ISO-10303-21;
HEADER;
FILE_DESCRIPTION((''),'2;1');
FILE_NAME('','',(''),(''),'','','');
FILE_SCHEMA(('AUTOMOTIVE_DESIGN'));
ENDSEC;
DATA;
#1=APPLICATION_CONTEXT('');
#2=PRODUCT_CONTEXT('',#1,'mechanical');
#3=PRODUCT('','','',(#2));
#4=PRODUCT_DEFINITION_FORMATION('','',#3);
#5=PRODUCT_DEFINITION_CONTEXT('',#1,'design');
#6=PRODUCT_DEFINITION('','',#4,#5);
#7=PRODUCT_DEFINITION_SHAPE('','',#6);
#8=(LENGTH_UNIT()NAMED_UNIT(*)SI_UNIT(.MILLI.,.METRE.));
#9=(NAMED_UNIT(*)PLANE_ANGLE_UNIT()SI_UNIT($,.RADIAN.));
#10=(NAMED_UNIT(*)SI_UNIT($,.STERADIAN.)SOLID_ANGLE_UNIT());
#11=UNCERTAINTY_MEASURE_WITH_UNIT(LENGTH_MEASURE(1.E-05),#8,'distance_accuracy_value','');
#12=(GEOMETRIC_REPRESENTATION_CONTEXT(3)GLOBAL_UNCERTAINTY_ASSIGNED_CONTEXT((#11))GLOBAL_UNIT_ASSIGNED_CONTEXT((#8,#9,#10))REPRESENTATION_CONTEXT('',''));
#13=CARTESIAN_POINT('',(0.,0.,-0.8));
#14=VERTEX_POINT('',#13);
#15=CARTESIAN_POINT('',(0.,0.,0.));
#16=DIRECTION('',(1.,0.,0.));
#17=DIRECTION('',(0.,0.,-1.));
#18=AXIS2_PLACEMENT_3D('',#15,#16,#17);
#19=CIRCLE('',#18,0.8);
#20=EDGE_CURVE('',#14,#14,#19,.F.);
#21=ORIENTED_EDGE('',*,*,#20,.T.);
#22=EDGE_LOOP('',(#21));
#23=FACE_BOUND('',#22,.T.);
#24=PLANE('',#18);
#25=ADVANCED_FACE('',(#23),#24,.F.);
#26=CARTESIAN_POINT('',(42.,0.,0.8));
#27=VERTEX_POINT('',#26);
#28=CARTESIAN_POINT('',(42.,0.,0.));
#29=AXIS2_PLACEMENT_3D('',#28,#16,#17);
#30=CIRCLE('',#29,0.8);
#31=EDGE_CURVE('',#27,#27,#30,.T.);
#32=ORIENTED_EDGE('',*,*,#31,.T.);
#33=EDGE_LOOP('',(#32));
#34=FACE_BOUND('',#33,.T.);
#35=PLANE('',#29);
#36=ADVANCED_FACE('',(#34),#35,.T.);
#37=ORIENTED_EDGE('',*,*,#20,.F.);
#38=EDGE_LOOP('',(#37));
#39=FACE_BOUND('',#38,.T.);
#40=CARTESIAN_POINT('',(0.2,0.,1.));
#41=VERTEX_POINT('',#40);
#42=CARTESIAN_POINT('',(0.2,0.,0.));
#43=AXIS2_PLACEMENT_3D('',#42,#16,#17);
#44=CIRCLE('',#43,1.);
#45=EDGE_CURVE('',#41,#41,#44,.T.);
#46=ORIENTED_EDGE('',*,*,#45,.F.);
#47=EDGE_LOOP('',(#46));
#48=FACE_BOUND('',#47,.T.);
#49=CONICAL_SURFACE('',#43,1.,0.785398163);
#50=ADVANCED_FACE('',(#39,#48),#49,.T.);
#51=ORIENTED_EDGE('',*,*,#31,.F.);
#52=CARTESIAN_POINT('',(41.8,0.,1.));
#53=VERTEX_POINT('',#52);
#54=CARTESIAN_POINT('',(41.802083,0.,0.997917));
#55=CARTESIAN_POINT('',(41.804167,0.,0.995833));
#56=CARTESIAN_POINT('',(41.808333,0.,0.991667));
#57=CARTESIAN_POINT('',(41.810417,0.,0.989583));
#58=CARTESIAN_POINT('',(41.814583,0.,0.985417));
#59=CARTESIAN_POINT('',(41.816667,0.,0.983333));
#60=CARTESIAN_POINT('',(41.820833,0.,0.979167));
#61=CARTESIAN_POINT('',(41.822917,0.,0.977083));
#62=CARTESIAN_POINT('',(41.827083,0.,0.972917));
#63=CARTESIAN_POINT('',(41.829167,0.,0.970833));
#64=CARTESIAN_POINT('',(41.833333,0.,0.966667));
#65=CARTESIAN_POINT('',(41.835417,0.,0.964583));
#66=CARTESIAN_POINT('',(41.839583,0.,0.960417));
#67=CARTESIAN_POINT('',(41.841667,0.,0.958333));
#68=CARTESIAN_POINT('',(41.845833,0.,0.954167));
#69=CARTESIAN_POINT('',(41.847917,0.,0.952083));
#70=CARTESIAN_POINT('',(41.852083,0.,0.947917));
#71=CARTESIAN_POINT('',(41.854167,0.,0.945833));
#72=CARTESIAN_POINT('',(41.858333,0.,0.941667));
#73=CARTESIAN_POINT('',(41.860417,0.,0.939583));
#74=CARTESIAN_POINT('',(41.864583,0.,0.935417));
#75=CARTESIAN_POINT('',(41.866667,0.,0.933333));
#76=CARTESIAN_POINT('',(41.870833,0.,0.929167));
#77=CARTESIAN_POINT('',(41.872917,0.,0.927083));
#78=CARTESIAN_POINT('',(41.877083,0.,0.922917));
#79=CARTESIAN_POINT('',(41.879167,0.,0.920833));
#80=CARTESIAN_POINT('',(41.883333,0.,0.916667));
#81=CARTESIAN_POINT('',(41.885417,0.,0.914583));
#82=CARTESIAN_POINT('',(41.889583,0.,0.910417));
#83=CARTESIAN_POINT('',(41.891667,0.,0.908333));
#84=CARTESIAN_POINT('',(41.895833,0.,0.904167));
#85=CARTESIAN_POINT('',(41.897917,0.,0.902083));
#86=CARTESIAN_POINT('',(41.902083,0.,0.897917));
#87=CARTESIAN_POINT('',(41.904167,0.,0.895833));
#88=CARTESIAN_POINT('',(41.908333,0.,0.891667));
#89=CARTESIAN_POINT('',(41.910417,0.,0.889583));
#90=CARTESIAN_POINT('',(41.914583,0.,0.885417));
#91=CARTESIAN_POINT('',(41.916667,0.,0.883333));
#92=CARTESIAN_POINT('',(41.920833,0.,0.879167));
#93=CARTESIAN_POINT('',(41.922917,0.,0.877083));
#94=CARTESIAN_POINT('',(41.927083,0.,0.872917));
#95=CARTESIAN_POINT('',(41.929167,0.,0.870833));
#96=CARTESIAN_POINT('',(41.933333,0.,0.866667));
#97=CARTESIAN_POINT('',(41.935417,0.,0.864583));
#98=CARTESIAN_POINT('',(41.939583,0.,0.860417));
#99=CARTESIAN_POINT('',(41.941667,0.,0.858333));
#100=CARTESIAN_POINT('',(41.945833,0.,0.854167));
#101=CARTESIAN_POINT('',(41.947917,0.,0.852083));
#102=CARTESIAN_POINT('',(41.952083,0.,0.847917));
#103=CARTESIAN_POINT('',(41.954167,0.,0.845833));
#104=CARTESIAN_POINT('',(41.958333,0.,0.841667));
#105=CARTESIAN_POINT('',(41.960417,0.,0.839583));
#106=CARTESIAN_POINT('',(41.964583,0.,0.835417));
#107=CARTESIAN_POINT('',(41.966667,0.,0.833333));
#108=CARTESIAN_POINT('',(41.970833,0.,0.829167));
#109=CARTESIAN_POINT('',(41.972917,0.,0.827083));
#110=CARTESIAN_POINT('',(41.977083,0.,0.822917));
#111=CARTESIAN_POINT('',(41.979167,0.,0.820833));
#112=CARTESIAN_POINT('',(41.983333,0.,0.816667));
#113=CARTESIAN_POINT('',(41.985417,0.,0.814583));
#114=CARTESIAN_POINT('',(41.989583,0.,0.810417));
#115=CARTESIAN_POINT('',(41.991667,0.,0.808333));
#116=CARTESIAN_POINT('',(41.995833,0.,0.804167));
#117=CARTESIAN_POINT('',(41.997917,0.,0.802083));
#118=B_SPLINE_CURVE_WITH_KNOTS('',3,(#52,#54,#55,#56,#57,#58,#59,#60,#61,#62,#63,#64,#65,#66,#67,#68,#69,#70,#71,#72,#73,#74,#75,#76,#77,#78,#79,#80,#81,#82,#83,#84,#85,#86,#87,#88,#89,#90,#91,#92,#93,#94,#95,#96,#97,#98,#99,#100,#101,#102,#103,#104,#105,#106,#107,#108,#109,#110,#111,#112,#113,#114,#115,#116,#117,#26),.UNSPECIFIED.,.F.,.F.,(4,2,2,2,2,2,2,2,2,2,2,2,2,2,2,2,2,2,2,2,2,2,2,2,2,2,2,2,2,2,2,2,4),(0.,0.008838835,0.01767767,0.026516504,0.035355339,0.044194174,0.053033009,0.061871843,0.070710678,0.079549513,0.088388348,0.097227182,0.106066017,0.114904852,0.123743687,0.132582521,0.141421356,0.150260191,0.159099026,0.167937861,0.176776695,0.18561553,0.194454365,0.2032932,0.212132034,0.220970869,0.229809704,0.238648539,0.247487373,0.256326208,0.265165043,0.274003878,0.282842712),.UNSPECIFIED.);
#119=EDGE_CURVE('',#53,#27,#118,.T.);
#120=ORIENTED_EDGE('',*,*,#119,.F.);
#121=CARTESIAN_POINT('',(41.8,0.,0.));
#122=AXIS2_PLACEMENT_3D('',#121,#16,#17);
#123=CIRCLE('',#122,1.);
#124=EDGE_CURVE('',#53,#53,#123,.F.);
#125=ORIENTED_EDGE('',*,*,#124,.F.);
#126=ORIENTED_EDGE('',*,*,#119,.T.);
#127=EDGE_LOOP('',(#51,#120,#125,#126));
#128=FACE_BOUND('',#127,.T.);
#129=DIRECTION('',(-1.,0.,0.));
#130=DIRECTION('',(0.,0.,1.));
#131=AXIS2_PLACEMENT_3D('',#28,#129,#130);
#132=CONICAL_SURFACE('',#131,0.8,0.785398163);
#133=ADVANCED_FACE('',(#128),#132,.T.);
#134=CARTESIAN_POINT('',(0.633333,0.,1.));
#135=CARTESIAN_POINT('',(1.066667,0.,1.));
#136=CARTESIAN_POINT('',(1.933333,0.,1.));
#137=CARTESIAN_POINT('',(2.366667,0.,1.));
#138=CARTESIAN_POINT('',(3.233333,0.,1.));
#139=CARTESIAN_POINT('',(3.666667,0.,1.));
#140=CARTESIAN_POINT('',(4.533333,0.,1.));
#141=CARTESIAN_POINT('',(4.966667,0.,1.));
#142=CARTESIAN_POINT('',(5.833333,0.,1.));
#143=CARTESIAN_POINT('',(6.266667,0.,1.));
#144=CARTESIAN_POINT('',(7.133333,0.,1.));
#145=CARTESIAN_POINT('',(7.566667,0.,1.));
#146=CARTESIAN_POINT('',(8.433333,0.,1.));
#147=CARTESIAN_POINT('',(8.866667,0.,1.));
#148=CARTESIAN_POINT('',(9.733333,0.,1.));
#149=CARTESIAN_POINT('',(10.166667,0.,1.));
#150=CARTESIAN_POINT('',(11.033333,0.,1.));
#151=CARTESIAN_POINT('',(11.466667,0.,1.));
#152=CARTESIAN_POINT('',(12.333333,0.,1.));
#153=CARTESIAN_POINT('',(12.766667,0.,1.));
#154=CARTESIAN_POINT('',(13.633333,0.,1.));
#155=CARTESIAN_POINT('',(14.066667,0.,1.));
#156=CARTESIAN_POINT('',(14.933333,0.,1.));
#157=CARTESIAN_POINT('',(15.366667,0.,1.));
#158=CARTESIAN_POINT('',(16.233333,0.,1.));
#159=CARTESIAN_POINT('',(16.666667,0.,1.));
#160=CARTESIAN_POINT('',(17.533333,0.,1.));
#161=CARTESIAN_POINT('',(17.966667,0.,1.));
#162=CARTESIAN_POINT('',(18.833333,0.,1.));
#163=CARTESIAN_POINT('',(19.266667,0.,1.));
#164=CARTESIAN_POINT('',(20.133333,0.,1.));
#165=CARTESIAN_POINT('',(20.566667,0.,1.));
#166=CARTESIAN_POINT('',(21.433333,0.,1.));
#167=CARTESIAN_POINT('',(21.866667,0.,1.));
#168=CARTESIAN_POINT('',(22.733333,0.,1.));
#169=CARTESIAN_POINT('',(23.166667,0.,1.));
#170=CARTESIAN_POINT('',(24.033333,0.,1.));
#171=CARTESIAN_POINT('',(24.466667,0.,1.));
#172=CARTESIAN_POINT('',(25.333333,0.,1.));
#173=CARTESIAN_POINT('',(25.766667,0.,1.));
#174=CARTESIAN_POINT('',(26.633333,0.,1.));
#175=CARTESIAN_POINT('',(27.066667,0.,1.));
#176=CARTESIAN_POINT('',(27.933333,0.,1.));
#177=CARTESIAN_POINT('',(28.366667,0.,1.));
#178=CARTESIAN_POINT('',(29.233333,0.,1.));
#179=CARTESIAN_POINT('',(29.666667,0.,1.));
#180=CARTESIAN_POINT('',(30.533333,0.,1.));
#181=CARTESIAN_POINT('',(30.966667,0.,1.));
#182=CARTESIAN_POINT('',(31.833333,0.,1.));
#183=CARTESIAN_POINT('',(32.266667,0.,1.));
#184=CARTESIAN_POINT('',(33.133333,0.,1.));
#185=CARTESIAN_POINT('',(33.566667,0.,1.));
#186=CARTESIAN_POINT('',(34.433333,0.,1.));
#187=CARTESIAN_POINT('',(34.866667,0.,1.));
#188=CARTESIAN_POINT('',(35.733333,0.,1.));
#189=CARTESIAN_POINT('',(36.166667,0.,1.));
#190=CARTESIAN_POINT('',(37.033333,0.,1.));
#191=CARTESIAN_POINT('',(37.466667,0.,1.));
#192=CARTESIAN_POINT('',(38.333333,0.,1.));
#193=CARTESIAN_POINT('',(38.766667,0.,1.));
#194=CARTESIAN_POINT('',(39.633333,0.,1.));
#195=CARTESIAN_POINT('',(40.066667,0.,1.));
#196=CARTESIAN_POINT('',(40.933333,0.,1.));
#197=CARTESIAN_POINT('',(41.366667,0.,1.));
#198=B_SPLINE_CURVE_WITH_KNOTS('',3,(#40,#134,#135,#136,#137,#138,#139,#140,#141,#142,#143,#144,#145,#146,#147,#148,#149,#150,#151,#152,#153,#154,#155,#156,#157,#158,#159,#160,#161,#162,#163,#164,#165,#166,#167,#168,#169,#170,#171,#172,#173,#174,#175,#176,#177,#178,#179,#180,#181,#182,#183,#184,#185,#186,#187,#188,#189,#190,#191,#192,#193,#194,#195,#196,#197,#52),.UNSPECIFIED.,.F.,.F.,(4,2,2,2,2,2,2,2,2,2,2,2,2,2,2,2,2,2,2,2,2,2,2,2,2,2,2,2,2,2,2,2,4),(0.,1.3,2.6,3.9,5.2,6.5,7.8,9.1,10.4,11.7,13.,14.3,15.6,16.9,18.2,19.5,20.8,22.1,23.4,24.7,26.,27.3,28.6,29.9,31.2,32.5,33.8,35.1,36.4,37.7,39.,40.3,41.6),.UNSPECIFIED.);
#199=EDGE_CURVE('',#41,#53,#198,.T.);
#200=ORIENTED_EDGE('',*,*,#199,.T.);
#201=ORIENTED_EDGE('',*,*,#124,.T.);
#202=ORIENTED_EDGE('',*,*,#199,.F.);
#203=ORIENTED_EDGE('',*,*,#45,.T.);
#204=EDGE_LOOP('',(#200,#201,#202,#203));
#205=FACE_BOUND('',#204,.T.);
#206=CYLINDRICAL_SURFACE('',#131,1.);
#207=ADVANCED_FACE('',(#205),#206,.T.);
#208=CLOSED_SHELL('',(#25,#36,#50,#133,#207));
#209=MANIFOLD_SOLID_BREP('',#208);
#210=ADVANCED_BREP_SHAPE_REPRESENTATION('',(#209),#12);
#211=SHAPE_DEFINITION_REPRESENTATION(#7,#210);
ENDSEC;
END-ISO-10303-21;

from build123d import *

# Parameters (mm, degrees)
SKIZZE1_R                       = 1
AUFSATZ_LINEAR_AUSTRAGEN1_DEPTH = 42
FASE1_SIZE                      = 0.2


with BuildPart() as part:
    # Skizze1 → Aufsatz-Linear austragen1 (new body)
    with BuildSketch(Plane(origin=(0, 0, 0), x_dir=(0, 0, -1), z_dir=(1, 0, 0))):
        with Locations(Location((0, 0, 0), (0, 0, 180))):
            Circle(SKIZZE1_R)
    extrude(amount=AUFSATZ_LINEAR_AUSTRAGEN1_DEPTH)

    # Fase1
    fase1_edges = [part.edges().sort_by_distance(p)[0] for p in [
        (0, 0, -1),
        (42, 0, -1),
    ]]
    chamfer(fase1_edges, length=FASE1_SIZE)


solid = part.part
